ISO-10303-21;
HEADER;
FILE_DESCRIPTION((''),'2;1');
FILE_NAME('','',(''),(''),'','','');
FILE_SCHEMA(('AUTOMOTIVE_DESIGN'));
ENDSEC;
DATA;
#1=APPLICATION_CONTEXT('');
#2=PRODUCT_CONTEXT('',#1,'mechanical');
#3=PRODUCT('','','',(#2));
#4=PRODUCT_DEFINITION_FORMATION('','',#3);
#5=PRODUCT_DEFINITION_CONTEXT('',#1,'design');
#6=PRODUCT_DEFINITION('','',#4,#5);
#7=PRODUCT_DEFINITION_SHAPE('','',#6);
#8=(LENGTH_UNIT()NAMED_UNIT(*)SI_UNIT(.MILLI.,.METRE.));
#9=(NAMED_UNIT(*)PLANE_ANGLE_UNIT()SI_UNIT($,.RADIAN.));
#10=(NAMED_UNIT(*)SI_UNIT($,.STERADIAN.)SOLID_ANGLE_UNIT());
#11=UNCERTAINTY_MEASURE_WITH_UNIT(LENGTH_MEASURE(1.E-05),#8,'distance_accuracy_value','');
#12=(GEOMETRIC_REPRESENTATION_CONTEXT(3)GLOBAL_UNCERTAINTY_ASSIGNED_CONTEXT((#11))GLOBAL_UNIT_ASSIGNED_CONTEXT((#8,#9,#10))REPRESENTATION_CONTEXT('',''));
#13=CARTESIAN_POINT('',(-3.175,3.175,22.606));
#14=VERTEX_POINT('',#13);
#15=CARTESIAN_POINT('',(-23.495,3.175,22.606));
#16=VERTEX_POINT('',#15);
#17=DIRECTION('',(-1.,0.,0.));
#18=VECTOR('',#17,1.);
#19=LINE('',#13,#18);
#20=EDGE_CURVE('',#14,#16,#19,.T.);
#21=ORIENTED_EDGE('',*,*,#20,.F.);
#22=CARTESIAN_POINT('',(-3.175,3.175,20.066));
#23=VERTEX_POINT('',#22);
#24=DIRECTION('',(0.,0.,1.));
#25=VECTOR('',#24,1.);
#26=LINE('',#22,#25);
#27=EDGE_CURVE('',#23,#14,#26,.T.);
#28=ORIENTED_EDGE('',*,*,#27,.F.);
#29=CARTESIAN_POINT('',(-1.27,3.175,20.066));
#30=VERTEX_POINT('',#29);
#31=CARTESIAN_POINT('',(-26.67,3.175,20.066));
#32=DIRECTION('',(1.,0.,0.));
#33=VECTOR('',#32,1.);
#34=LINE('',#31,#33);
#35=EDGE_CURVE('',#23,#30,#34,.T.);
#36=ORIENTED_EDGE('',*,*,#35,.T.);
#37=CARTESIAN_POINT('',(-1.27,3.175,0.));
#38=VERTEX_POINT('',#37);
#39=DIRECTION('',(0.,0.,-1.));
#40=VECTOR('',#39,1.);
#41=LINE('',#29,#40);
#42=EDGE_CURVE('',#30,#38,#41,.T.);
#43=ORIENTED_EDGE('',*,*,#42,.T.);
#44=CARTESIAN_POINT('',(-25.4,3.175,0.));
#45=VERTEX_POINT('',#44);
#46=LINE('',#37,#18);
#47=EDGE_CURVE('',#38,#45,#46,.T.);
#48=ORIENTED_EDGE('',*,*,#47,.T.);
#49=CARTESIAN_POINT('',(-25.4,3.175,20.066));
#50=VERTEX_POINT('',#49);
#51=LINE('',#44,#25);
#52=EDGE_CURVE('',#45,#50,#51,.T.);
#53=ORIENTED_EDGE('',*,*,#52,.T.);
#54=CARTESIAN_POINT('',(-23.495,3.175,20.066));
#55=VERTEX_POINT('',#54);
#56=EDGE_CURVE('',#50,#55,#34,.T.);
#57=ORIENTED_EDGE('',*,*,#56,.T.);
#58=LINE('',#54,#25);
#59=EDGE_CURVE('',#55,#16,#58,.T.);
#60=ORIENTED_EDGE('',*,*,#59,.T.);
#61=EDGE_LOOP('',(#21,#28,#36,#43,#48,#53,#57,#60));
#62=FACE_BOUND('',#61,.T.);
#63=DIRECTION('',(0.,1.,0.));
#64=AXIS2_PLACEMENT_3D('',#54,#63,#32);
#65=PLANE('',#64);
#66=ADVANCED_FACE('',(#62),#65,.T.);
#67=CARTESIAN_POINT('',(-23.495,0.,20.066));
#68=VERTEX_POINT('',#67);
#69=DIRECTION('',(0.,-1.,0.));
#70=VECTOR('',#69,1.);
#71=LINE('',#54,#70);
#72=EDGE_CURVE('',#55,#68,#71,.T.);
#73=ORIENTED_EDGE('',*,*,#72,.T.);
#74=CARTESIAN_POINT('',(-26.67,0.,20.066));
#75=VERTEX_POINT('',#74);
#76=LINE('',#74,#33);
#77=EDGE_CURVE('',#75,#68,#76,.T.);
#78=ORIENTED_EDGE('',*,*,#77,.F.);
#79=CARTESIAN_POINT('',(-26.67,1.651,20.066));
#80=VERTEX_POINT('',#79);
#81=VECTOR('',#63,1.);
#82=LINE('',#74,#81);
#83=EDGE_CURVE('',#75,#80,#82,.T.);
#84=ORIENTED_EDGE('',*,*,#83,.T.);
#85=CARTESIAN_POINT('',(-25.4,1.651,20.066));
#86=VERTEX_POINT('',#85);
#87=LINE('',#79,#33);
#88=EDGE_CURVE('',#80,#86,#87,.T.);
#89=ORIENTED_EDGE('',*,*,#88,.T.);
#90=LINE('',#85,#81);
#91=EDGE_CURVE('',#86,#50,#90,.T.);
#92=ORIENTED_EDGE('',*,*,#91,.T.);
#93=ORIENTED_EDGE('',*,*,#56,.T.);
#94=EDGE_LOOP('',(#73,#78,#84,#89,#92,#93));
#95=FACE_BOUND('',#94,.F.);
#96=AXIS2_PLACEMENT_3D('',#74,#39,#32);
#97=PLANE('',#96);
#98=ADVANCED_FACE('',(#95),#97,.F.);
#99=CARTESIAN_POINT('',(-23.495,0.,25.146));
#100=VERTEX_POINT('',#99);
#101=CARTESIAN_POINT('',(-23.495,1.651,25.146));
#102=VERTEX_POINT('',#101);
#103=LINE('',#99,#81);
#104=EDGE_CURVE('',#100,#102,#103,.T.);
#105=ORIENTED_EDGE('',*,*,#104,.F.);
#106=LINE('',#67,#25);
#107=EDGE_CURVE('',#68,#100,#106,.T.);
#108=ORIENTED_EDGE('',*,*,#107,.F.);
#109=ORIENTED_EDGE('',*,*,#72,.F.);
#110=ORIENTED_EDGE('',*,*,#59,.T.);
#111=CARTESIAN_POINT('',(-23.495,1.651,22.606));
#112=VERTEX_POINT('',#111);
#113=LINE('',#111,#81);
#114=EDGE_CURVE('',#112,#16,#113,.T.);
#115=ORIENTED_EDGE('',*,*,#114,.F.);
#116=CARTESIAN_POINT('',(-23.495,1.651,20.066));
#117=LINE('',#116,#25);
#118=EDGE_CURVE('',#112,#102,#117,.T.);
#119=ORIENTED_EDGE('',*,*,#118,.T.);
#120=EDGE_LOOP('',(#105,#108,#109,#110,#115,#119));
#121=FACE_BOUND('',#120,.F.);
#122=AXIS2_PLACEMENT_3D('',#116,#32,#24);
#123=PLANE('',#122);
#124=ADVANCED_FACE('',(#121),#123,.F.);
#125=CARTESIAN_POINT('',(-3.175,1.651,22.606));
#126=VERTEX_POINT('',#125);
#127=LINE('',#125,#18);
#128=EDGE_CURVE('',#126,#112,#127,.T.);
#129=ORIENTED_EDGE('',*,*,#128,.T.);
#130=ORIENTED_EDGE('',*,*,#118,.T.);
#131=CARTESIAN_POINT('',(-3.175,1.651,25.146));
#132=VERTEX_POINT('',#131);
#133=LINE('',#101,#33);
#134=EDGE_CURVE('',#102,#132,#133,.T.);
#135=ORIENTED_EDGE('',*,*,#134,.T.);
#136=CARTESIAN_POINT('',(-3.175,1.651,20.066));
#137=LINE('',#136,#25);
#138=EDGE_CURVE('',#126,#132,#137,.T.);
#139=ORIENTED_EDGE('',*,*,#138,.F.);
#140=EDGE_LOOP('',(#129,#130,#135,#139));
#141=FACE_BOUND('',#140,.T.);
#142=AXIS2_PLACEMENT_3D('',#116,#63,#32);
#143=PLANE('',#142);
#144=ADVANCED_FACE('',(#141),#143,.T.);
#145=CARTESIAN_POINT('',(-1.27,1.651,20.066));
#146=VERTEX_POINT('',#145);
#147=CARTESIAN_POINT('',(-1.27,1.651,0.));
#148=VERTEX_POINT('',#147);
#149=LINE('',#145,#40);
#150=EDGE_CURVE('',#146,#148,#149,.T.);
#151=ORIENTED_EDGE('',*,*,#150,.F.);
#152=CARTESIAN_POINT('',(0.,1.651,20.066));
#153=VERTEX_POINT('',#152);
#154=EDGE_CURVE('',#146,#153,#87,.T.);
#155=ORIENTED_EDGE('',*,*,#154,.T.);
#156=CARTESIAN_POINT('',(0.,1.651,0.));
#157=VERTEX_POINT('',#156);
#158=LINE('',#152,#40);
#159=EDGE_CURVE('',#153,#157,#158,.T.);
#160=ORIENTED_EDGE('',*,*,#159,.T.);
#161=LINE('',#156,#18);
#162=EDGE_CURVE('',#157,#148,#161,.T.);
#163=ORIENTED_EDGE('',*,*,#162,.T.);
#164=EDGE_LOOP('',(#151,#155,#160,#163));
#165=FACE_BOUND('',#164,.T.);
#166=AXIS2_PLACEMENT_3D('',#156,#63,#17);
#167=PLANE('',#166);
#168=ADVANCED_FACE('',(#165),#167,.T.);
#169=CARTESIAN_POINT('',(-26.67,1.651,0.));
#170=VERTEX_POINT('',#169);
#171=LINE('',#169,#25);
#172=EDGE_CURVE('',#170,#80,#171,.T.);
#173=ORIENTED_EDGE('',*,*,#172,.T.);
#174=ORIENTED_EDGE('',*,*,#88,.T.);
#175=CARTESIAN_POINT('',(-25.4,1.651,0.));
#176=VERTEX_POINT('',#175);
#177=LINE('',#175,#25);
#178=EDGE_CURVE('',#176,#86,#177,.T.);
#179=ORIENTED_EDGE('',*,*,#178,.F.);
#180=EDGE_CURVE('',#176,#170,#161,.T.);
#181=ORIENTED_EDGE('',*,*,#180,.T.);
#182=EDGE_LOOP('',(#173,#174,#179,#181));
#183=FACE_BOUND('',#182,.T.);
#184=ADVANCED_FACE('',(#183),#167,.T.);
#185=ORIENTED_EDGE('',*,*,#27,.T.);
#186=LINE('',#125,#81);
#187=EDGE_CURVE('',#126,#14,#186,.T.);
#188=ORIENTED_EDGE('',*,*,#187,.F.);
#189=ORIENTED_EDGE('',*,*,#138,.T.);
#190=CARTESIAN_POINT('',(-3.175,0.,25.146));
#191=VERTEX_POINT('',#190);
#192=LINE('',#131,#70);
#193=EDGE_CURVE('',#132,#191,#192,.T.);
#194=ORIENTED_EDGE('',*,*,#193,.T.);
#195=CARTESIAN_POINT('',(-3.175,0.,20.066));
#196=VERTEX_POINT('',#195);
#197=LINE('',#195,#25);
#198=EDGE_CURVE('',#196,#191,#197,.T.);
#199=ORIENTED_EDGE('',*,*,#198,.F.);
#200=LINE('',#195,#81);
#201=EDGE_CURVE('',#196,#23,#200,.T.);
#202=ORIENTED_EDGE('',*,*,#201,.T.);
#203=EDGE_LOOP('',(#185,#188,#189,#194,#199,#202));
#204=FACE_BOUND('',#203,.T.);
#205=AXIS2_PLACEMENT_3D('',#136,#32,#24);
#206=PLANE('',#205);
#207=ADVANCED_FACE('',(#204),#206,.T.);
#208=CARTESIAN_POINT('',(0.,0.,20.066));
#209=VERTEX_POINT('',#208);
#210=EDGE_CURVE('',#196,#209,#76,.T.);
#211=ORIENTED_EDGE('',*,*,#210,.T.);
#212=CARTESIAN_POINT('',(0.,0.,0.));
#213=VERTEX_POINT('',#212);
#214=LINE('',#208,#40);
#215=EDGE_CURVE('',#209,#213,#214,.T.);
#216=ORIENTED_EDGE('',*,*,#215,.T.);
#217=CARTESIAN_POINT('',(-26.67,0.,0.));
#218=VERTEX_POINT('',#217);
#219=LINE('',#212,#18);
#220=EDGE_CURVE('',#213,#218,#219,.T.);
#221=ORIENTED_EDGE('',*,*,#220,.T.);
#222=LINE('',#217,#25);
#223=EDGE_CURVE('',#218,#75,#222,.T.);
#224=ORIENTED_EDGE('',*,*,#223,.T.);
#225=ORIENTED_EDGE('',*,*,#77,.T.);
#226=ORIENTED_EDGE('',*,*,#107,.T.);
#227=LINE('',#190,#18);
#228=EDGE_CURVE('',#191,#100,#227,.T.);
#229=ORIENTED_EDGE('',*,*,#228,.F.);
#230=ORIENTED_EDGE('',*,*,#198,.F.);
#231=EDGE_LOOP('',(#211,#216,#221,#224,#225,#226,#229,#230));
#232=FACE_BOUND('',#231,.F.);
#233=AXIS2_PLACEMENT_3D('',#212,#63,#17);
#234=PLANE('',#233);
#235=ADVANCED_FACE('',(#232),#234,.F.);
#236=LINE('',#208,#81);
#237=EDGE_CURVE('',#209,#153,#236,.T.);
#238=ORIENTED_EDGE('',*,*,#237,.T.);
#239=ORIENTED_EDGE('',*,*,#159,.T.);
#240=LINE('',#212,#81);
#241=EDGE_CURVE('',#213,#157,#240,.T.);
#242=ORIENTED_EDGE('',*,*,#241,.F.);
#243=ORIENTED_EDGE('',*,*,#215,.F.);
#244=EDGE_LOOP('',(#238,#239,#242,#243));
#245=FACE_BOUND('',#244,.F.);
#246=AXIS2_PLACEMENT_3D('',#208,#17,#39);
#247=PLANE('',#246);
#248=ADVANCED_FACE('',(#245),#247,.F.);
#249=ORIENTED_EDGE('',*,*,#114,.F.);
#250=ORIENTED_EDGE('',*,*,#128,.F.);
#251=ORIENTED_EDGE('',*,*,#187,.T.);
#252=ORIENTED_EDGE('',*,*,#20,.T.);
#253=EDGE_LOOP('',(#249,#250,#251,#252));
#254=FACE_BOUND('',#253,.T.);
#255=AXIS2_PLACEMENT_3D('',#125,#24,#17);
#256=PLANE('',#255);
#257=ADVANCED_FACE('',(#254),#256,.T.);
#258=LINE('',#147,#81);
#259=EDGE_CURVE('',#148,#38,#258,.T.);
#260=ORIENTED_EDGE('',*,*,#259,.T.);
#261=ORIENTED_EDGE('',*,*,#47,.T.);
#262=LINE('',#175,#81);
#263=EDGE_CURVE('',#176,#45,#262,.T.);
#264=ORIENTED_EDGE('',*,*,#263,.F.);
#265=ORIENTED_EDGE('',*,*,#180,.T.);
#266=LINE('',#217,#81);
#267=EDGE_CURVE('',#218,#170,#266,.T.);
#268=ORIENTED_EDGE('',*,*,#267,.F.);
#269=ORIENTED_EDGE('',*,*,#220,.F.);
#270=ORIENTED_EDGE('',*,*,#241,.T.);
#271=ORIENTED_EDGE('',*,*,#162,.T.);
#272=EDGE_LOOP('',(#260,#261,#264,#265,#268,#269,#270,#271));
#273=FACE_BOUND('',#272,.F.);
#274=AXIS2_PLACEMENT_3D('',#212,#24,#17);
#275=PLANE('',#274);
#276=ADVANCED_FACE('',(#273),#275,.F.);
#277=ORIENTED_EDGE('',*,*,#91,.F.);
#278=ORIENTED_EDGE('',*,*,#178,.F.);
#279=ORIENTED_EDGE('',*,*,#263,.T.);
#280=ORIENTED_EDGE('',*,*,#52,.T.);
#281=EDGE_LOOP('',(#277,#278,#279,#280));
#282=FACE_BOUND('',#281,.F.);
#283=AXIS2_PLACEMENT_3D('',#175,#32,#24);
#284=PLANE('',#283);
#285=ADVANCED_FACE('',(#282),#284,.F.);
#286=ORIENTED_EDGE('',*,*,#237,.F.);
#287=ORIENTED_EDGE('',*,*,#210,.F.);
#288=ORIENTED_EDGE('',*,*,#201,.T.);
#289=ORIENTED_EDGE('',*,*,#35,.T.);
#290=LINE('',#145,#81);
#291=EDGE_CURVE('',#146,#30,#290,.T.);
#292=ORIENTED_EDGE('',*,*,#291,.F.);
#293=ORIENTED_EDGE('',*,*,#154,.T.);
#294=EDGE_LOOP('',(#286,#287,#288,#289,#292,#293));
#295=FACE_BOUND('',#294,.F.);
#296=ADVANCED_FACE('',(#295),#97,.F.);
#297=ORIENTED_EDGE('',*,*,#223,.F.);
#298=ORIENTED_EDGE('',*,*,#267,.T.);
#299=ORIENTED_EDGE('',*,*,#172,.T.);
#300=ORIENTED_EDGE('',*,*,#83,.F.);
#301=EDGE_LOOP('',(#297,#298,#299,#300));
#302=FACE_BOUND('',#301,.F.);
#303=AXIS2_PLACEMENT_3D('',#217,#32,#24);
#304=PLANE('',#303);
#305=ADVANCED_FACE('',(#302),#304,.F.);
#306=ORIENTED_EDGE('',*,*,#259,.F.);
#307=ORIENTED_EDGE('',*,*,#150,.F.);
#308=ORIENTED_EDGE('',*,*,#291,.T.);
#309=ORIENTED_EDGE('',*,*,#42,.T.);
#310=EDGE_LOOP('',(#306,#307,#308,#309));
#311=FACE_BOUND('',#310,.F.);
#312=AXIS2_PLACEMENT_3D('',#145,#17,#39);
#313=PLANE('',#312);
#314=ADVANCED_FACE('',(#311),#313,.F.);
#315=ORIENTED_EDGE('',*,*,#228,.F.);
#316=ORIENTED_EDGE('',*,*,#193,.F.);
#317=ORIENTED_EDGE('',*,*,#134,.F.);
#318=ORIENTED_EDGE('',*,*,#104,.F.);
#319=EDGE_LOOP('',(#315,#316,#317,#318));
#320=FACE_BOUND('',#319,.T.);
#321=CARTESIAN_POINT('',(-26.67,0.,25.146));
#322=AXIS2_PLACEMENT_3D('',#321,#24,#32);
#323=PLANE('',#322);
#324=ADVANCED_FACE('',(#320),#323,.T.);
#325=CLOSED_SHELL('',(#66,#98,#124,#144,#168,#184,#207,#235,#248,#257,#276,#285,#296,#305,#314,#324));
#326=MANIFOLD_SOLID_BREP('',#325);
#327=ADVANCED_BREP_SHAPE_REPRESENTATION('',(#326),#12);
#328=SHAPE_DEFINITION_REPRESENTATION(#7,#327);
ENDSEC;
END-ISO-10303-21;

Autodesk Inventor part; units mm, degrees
ref_plane "YZ Plane" through (0, 0, 0) normal (1, 0, 0) x (0, 1, 0)
ref_plane "XZ Plane" through (0, 0, 0) normal (0, 1, 0) x (-1, 0, 0)
ref_plane "XY Plane" through (0, 0, 0) normal (0, 0, 1) x (1, 0, 0)
sketch "Sketch4" plane through (0, 0, 0) normal (0, 1, 0) x (-1, 0, 0)
  line L0 (0, 0) -> (26.67, 0)
  line L1 (26.67, 0) -> (26.67, 20.066)
  line L2 (26.67, 20.066) -> (0, 20.066)
  line L3 (0, 20.066) -> (0, 0)
  dimension "d20" = 20.066
  dimension "d21" = 26.67
extrude "Extrusion4" add sketch "Sketch4" along normal blind 1.651
sketch "Sketch5" plane through (0, 1.651, 0) normal (0, 1, 0) x (1, 0, 0)
  line L0 (-26.67, -20.066) -> (0, -20.066) projected
  line L1 (-25.4, -20.066) -> (-1.27, -20.066)
  line L2 (-1.27, -20.066) -> (-1.27, 0)
  line L3 (-1.27, 0) -> (-25.4, 0)
  line L4 (-25.4, 0) -> (-25.4, -20.066)
  line L5 (-26.67, 0) -> (-26.67, -20.066) projected
  line L6 (0, 0) -> (-26.67, 0) projected
  line L7 (0, -20.066) -> (0, 0) projected
  point P0 (-1.27, -20.066)
  dimension "d24" = 1.27
  dimension "d25" = 0
  dimension "d26" = 1.27
extrude "Extrusion5" add sketch "Sketch5" along normal blind 1.524 contours L4 L3 L2 L0
sketch "Sketch8" plane through (-26.67, 0, 20.066) normal (0, 0, 1) x (1, 0, 0)
  line L0 (3.175, 1.651) -> (23.495, 1.651)
  line L1 (23.495, 1.651) -> (23.495, 0)
  line L2 (23.495, 0) -> (3.175, 0)
  line L3 (3.175, 0) -> (3.175, 1.651)
  line L4 (0, 0) -> (26.67, 0) projected
  line L5 (26.67, 0) -> (26.67, 1.651) projected
  line L6 (0, 0) -> (0, 1.651) projected
  dimension "d42" = 20.32
  dimension "d43" = 1.651
  dimension "d44" = 0
  dimension "d45" = 26.67
  dimension "d46" = 3.175
extrude "Extrusion8" add sketch "Sketch8" along normal blind 5.08
sketch "Sketch9" plane through (-23.495, 1.651, 20.066) normal (0, 1, 0) x (1, 0, 0)
  line L0 (0, 0) -> (0, -5.08) projected
  line L1 (20.32, -2.54) -> (0, -2.54)
  line L2 (0, 0) -> (20.32, 0)
  line L3 (20.32, 0) -> (20.32, -2.54)
  line L4 (20.32, -2.54) -> (0, -2.54)
  line L5 (0, -2.54) -> (0, 0)
  point P0 (23.495, 20.066)
extrude "Extrusion9" add sketch "Sketch9" along normal blind 1.524
equation "\"d26\" = d24"
equation "\"d46\" = -0.5 * d42 + 0.5 * d45"
properties part number "_3DPrint"
